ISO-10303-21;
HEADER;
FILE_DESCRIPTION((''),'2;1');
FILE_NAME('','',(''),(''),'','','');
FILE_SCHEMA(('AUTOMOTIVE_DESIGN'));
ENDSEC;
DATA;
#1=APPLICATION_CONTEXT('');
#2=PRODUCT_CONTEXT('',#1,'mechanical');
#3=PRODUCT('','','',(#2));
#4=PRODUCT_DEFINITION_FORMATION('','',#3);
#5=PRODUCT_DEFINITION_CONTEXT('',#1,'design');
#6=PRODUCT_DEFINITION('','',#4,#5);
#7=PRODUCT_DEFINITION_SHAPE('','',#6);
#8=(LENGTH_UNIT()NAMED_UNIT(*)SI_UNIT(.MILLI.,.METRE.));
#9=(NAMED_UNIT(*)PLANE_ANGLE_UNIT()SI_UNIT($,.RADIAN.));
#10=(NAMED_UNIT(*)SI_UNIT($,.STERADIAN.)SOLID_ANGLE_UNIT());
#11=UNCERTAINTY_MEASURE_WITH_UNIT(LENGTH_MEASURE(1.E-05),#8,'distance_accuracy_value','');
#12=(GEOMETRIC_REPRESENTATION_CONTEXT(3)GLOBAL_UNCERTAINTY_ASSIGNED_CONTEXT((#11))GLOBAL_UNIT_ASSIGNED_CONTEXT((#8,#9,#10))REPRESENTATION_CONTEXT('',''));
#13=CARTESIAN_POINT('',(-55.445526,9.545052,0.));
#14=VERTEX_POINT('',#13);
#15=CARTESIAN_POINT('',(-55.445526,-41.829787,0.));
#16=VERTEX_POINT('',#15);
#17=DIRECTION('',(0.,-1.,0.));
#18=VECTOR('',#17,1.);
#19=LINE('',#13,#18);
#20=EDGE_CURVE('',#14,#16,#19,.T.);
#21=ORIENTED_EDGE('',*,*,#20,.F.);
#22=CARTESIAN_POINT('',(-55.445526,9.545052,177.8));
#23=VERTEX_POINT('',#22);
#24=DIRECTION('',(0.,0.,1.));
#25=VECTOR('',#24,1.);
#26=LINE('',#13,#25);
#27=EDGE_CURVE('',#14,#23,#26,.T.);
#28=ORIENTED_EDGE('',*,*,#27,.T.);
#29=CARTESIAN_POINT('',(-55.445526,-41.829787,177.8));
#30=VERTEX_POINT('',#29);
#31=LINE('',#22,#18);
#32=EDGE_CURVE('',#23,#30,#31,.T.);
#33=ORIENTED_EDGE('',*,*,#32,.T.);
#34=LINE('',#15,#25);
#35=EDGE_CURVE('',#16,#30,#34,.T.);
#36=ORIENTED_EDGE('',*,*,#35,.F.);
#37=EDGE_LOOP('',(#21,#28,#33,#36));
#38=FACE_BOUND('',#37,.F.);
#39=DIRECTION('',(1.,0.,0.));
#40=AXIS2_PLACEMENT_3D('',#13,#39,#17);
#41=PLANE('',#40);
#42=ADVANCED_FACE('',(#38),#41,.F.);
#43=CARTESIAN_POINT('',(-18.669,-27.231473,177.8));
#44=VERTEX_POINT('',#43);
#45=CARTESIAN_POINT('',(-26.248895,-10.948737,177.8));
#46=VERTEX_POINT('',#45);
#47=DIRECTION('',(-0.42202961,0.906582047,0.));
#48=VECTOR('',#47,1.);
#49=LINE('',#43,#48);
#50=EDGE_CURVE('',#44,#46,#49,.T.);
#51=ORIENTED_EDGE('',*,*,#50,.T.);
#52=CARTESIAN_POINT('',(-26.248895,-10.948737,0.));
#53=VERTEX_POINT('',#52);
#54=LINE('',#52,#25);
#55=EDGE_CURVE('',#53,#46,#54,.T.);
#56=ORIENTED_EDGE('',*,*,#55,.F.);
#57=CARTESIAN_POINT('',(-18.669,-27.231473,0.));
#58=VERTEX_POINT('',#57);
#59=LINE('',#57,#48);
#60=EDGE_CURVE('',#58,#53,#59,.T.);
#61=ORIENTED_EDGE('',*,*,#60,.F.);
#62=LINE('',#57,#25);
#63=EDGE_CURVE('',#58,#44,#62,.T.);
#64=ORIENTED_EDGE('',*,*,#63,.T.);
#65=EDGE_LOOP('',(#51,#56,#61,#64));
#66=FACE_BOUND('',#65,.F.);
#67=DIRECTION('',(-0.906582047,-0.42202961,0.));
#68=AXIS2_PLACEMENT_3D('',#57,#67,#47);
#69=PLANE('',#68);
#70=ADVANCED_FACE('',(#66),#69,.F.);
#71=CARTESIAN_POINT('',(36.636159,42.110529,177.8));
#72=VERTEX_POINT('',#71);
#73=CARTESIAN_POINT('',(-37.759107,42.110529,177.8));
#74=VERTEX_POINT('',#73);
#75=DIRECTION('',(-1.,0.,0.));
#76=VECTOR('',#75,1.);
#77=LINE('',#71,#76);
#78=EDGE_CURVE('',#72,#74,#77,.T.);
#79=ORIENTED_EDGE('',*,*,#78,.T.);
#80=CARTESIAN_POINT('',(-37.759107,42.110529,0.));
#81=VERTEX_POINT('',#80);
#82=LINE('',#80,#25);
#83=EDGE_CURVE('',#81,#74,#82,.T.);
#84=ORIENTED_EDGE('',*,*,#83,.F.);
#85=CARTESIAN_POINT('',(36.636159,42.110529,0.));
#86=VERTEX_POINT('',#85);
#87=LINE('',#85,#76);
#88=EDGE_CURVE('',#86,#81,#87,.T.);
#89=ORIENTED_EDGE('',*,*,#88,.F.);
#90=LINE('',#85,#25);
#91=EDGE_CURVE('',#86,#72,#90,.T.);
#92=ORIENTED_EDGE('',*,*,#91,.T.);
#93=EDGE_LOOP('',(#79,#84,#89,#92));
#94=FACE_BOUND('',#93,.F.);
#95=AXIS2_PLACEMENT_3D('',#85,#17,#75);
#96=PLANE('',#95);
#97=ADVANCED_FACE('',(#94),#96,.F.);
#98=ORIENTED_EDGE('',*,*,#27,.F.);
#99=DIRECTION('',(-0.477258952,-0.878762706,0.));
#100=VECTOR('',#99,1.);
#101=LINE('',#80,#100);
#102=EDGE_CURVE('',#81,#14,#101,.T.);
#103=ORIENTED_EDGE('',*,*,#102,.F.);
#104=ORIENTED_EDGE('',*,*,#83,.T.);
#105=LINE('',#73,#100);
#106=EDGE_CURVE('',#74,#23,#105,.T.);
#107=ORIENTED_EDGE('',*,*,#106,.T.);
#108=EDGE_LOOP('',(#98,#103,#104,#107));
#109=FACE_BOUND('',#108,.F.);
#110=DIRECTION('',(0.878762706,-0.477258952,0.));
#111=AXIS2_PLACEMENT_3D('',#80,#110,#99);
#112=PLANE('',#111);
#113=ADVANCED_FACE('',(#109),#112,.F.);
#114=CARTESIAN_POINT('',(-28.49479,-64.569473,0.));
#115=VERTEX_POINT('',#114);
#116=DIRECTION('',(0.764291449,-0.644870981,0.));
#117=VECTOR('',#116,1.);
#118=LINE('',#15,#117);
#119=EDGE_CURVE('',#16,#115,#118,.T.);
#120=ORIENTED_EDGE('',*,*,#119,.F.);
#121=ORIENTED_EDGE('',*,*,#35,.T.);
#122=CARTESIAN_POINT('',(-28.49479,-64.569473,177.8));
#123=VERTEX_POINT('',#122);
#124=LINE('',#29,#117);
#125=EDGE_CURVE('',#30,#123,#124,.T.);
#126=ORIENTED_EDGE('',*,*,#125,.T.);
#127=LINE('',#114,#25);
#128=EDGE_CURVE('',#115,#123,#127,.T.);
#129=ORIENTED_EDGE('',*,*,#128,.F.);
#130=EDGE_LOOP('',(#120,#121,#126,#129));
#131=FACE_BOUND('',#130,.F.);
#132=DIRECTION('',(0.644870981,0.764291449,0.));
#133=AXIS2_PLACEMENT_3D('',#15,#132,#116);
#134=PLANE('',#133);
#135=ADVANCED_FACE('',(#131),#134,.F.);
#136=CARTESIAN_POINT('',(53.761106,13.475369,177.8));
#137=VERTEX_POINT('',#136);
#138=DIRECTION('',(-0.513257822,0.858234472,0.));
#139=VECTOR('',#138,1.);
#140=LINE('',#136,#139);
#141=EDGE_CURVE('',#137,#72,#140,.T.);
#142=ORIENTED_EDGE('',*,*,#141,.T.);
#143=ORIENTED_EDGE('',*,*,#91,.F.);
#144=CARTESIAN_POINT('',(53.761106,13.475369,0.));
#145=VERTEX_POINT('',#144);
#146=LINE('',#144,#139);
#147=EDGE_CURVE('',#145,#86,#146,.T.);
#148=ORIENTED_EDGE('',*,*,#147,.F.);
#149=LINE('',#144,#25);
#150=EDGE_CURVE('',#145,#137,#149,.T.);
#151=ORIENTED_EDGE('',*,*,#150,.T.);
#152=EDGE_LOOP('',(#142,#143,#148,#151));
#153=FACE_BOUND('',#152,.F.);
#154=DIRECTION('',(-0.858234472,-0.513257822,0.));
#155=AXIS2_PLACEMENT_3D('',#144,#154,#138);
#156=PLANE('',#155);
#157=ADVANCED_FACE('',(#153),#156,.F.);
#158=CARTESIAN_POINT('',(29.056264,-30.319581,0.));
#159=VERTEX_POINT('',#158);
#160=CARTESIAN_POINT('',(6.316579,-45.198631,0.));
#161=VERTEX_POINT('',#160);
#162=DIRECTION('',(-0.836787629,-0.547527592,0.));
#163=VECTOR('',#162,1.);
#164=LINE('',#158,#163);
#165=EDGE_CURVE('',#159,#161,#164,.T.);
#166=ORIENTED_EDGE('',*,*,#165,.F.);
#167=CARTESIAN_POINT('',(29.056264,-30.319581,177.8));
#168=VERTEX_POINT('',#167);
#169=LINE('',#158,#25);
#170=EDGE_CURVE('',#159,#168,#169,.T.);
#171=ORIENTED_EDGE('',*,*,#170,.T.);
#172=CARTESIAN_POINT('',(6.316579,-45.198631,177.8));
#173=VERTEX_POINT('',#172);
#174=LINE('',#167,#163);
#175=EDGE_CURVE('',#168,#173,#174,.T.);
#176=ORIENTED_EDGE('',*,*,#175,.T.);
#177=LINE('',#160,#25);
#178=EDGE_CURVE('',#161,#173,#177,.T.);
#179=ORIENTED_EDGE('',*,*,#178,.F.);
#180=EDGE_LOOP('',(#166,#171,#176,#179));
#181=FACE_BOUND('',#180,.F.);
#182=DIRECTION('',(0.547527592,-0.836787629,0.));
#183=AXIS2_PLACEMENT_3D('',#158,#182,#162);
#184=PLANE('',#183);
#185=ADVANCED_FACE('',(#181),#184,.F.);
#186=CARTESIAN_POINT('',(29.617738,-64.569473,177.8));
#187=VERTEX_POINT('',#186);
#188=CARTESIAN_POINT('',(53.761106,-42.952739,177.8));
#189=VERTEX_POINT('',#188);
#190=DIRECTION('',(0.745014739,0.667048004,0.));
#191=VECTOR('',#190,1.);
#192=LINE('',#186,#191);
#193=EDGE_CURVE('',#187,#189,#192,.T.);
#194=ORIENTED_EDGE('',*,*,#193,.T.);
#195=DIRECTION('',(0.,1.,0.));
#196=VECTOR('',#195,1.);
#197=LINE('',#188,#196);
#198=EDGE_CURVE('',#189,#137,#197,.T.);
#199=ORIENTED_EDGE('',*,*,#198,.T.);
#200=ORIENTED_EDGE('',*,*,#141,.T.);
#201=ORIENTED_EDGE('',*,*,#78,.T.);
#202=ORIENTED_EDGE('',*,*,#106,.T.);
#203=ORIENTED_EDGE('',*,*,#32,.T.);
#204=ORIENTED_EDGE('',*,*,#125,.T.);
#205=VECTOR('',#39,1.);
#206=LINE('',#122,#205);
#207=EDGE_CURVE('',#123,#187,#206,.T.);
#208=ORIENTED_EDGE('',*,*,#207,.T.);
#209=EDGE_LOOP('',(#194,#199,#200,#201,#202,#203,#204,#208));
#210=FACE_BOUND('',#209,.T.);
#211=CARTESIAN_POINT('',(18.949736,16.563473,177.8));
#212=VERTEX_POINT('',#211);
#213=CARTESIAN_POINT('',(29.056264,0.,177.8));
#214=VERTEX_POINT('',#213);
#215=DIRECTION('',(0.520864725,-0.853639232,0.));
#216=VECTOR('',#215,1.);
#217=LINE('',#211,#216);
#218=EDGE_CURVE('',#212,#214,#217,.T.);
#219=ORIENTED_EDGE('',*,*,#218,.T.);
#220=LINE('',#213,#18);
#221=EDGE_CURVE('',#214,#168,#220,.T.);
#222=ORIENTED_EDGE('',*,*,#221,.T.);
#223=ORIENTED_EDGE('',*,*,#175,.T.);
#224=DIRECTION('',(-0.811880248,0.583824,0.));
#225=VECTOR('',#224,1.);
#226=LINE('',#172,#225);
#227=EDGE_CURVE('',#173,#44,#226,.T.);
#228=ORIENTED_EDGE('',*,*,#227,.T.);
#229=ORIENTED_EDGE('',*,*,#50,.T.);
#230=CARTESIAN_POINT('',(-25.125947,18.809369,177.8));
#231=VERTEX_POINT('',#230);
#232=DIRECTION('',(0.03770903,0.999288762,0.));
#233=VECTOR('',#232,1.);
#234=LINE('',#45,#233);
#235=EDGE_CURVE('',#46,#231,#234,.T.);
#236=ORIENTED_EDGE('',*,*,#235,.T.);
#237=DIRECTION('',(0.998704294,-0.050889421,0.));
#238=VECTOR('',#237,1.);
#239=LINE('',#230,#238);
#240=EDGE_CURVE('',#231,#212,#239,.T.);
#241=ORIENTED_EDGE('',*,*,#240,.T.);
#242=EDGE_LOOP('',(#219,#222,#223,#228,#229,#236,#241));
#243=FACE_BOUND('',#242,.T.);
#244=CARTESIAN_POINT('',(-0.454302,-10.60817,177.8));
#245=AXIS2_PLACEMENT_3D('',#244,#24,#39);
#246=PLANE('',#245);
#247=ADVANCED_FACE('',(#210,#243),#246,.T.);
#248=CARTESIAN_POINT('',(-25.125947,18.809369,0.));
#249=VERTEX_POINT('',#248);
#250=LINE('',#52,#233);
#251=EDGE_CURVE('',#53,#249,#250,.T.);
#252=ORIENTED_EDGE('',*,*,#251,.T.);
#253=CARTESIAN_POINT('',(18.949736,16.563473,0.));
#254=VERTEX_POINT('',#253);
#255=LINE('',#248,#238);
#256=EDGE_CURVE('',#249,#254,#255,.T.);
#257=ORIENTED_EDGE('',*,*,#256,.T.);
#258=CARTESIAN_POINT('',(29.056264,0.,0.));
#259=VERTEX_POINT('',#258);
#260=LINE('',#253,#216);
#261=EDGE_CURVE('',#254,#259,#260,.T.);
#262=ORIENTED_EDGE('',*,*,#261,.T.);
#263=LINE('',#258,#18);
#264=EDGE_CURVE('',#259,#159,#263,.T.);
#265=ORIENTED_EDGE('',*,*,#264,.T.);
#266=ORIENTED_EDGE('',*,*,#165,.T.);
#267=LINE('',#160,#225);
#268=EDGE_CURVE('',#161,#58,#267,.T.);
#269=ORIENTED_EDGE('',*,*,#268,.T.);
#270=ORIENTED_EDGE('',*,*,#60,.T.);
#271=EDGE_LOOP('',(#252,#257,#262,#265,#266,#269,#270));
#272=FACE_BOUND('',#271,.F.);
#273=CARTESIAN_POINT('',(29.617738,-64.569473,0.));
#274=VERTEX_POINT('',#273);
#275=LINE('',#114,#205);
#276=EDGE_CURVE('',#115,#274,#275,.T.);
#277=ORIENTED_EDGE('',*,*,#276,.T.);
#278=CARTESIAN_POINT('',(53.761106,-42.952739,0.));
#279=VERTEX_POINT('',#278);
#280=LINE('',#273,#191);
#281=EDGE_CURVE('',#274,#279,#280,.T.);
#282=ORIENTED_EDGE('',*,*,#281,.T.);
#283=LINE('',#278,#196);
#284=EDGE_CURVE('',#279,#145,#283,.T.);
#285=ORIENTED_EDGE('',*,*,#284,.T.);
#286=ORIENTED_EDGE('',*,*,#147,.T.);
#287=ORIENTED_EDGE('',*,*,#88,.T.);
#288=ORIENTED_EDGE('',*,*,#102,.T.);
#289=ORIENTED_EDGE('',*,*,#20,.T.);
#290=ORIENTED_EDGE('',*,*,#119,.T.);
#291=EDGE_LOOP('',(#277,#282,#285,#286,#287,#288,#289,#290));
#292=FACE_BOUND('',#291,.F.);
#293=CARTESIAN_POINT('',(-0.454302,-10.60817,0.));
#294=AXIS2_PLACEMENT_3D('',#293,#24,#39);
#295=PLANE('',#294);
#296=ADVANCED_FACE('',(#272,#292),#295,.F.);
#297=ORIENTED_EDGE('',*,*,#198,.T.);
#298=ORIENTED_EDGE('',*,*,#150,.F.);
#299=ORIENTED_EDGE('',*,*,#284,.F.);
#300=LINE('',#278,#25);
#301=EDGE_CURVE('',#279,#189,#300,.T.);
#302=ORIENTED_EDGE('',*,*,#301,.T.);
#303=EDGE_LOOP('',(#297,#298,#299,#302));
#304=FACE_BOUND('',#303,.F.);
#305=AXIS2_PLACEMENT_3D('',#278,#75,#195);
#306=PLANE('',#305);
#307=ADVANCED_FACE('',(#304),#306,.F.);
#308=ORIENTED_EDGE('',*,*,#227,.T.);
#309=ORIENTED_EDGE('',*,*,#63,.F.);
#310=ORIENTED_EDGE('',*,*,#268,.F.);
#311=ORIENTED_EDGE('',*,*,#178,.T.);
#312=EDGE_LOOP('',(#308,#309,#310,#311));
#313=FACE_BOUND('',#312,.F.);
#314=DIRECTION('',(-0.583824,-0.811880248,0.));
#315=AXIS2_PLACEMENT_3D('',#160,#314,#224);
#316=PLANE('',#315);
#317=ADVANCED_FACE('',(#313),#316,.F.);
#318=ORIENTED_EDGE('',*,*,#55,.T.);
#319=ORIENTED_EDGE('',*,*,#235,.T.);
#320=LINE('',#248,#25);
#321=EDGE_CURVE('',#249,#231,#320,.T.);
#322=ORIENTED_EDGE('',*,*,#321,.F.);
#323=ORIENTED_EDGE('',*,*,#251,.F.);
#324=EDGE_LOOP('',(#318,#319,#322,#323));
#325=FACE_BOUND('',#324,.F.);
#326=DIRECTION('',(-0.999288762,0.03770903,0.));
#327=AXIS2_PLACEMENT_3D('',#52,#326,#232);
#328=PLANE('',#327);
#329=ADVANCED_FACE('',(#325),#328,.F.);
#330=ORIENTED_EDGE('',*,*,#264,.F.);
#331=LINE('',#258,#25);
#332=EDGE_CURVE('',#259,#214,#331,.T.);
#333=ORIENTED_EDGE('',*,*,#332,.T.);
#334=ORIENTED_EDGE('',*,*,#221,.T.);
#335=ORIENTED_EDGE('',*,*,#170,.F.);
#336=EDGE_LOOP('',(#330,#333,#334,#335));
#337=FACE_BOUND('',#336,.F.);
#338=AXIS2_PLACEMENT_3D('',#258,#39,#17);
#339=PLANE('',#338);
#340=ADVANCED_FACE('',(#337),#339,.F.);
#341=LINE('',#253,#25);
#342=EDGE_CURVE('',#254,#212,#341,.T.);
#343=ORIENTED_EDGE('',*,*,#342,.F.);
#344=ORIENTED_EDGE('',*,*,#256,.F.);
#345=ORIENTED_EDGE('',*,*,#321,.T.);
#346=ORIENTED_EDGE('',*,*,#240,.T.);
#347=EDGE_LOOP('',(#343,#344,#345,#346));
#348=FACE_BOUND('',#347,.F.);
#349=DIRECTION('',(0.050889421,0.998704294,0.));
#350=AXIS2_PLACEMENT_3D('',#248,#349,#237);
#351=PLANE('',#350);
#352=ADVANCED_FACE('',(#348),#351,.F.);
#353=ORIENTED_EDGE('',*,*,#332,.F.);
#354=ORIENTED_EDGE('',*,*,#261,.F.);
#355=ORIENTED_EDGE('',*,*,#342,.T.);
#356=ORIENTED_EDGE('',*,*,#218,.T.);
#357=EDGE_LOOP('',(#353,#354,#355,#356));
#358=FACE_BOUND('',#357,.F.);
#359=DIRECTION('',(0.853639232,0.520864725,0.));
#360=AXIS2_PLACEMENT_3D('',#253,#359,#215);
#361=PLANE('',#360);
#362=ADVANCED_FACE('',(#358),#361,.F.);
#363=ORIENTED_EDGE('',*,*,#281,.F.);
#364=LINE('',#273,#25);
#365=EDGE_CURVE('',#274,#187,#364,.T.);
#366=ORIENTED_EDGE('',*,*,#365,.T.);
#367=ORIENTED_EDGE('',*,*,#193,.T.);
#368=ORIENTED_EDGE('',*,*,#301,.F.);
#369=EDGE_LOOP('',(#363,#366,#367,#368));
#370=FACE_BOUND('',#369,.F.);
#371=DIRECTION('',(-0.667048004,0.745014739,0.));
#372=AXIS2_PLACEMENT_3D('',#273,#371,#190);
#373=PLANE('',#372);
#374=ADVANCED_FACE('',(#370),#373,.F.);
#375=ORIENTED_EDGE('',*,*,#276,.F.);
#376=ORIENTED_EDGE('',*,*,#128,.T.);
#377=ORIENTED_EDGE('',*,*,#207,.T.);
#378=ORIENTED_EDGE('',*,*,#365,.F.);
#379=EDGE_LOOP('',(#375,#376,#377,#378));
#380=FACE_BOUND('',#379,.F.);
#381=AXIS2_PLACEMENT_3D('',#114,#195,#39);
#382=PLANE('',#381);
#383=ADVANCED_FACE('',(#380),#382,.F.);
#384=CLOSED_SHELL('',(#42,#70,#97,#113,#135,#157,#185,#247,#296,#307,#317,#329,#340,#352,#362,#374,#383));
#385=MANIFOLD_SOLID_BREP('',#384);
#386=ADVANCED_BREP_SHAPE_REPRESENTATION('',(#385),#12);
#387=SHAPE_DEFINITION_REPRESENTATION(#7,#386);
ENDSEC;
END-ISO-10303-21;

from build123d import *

# Parameters (mm, degrees)
F1_DEPTH = 177.8


with BuildPart() as f1:
    # F0 (on Top) → F1 (new body)
    with BuildSketch(Plane.XY):
        Polygon((36.636159, 42.110529), (-37.759107, 42.110529), (-55.445526, 9.545052), (-55.445526, -41.829787), (-28.49479, -64.569473), (29.617738, -64.569473), (53.761106, -42.952739), (53.761106, 13.475369), align=None)
        Polygon((-26.248895, -10.948737), (-25.125947, 18.809369), (18.949736, 16.563473), (29.056264, 0), (29.056264, -30.319581), (6.316579, -45.198631), (-18.669, -27.231473), align=None, mode=Mode.SUBTRACT)
    extrude(amount=F1_DEPTH)


solid = f1.part
